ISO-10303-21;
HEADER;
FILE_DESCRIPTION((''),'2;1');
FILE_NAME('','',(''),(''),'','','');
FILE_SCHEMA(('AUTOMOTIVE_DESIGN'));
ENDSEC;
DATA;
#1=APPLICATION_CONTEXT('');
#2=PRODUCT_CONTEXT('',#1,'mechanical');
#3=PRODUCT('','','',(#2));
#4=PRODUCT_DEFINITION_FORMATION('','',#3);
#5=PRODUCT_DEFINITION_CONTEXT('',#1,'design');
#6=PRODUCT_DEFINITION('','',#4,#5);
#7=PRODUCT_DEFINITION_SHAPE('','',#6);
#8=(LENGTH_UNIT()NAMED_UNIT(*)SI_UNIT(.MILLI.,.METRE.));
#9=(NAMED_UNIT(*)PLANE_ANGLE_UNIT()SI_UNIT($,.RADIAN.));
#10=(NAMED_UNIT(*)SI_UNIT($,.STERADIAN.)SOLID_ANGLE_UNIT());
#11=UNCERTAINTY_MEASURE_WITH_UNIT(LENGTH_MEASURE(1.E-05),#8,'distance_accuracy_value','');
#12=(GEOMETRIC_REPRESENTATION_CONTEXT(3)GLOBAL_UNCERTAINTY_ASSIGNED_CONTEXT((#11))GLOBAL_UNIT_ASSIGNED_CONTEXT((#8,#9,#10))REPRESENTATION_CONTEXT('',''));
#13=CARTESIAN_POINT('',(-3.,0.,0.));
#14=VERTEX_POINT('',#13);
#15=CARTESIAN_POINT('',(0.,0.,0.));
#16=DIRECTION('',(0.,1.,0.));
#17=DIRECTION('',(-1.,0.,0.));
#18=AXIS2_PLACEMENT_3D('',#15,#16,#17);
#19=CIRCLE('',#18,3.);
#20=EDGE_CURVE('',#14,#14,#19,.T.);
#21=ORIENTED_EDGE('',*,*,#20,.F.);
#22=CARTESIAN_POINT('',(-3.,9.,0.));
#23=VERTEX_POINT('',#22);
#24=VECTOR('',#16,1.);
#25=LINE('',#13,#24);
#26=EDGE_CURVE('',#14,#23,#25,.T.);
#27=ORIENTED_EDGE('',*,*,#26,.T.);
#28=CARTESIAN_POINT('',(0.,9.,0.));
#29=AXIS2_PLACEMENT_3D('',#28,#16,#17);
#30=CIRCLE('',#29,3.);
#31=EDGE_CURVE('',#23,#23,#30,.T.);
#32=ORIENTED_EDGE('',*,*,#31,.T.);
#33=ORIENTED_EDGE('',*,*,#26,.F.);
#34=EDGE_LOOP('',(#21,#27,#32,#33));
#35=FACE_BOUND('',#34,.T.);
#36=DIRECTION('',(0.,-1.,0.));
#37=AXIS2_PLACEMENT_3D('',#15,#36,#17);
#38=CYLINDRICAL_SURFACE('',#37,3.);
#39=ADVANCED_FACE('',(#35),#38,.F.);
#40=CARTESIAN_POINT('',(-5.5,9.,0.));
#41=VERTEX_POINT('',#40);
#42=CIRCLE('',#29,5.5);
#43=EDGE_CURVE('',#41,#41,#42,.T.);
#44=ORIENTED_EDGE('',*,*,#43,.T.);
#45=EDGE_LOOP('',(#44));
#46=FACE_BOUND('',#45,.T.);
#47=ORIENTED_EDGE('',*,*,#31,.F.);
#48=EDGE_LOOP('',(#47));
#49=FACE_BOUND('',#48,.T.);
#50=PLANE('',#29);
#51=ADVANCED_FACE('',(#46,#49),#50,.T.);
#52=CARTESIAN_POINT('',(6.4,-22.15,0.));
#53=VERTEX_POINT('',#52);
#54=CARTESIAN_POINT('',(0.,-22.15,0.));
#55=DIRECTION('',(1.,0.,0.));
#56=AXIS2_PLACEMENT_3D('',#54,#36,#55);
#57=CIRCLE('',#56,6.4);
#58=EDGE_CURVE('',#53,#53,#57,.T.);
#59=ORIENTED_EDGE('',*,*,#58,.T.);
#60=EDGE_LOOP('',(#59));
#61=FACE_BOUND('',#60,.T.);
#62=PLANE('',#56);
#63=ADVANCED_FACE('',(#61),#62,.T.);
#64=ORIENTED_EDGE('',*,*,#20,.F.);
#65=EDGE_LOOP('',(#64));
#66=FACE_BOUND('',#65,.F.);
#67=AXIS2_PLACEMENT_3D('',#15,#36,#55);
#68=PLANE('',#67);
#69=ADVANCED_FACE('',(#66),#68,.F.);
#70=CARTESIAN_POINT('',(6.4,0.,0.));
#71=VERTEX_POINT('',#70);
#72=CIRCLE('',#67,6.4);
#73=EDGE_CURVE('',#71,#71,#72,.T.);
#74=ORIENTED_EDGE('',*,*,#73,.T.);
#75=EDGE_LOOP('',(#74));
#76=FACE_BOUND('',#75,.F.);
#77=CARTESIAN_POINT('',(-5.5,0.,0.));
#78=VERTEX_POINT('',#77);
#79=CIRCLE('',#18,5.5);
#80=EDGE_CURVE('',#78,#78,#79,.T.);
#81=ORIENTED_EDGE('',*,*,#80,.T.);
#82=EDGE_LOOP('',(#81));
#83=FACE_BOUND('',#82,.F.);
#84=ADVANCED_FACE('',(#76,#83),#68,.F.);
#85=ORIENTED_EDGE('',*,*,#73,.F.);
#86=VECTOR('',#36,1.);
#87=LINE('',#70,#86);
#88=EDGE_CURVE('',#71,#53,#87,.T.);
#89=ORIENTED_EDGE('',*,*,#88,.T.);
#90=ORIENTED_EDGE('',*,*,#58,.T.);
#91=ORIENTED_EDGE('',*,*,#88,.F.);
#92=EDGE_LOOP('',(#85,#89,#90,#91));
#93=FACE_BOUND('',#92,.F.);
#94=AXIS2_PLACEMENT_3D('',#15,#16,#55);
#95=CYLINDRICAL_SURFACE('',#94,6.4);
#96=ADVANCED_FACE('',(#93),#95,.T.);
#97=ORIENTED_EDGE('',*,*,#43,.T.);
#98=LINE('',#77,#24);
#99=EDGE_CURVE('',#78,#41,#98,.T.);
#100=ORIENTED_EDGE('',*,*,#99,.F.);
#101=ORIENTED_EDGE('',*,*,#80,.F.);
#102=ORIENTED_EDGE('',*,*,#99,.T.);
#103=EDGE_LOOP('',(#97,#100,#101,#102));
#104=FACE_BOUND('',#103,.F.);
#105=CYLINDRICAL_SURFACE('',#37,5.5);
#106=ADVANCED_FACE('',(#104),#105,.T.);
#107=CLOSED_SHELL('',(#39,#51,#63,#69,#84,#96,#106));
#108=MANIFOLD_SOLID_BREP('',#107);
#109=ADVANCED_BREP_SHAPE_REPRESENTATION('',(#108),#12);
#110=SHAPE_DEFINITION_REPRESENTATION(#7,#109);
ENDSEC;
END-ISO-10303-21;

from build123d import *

# Parameters (mm, degrees)
F0_R     = 6.4
F1_DEPTH = 22.15
F2_R     = 5.5
F2_R_2   = 3
F3_DEPTH = 9


with BuildPart() as f1:
    # F0 (on Front) → F1 (new body)
    with BuildSketch(Plane.XZ):
        Circle(F0_R)
    extrude(amount=F1_DEPTH)

    # F2 (on face) → F3 (join)
    with BuildSketch(Plane(origin=(0, 0, 0), x_dir=(-1, 0, 0), z_dir=(0, 1, 0))):
        Circle(F2_R)
        Circle(F2_R_2, mode=Mode.SUBTRACT)
    extrude(amount=F3_DEPTH)


solid = f1.part
